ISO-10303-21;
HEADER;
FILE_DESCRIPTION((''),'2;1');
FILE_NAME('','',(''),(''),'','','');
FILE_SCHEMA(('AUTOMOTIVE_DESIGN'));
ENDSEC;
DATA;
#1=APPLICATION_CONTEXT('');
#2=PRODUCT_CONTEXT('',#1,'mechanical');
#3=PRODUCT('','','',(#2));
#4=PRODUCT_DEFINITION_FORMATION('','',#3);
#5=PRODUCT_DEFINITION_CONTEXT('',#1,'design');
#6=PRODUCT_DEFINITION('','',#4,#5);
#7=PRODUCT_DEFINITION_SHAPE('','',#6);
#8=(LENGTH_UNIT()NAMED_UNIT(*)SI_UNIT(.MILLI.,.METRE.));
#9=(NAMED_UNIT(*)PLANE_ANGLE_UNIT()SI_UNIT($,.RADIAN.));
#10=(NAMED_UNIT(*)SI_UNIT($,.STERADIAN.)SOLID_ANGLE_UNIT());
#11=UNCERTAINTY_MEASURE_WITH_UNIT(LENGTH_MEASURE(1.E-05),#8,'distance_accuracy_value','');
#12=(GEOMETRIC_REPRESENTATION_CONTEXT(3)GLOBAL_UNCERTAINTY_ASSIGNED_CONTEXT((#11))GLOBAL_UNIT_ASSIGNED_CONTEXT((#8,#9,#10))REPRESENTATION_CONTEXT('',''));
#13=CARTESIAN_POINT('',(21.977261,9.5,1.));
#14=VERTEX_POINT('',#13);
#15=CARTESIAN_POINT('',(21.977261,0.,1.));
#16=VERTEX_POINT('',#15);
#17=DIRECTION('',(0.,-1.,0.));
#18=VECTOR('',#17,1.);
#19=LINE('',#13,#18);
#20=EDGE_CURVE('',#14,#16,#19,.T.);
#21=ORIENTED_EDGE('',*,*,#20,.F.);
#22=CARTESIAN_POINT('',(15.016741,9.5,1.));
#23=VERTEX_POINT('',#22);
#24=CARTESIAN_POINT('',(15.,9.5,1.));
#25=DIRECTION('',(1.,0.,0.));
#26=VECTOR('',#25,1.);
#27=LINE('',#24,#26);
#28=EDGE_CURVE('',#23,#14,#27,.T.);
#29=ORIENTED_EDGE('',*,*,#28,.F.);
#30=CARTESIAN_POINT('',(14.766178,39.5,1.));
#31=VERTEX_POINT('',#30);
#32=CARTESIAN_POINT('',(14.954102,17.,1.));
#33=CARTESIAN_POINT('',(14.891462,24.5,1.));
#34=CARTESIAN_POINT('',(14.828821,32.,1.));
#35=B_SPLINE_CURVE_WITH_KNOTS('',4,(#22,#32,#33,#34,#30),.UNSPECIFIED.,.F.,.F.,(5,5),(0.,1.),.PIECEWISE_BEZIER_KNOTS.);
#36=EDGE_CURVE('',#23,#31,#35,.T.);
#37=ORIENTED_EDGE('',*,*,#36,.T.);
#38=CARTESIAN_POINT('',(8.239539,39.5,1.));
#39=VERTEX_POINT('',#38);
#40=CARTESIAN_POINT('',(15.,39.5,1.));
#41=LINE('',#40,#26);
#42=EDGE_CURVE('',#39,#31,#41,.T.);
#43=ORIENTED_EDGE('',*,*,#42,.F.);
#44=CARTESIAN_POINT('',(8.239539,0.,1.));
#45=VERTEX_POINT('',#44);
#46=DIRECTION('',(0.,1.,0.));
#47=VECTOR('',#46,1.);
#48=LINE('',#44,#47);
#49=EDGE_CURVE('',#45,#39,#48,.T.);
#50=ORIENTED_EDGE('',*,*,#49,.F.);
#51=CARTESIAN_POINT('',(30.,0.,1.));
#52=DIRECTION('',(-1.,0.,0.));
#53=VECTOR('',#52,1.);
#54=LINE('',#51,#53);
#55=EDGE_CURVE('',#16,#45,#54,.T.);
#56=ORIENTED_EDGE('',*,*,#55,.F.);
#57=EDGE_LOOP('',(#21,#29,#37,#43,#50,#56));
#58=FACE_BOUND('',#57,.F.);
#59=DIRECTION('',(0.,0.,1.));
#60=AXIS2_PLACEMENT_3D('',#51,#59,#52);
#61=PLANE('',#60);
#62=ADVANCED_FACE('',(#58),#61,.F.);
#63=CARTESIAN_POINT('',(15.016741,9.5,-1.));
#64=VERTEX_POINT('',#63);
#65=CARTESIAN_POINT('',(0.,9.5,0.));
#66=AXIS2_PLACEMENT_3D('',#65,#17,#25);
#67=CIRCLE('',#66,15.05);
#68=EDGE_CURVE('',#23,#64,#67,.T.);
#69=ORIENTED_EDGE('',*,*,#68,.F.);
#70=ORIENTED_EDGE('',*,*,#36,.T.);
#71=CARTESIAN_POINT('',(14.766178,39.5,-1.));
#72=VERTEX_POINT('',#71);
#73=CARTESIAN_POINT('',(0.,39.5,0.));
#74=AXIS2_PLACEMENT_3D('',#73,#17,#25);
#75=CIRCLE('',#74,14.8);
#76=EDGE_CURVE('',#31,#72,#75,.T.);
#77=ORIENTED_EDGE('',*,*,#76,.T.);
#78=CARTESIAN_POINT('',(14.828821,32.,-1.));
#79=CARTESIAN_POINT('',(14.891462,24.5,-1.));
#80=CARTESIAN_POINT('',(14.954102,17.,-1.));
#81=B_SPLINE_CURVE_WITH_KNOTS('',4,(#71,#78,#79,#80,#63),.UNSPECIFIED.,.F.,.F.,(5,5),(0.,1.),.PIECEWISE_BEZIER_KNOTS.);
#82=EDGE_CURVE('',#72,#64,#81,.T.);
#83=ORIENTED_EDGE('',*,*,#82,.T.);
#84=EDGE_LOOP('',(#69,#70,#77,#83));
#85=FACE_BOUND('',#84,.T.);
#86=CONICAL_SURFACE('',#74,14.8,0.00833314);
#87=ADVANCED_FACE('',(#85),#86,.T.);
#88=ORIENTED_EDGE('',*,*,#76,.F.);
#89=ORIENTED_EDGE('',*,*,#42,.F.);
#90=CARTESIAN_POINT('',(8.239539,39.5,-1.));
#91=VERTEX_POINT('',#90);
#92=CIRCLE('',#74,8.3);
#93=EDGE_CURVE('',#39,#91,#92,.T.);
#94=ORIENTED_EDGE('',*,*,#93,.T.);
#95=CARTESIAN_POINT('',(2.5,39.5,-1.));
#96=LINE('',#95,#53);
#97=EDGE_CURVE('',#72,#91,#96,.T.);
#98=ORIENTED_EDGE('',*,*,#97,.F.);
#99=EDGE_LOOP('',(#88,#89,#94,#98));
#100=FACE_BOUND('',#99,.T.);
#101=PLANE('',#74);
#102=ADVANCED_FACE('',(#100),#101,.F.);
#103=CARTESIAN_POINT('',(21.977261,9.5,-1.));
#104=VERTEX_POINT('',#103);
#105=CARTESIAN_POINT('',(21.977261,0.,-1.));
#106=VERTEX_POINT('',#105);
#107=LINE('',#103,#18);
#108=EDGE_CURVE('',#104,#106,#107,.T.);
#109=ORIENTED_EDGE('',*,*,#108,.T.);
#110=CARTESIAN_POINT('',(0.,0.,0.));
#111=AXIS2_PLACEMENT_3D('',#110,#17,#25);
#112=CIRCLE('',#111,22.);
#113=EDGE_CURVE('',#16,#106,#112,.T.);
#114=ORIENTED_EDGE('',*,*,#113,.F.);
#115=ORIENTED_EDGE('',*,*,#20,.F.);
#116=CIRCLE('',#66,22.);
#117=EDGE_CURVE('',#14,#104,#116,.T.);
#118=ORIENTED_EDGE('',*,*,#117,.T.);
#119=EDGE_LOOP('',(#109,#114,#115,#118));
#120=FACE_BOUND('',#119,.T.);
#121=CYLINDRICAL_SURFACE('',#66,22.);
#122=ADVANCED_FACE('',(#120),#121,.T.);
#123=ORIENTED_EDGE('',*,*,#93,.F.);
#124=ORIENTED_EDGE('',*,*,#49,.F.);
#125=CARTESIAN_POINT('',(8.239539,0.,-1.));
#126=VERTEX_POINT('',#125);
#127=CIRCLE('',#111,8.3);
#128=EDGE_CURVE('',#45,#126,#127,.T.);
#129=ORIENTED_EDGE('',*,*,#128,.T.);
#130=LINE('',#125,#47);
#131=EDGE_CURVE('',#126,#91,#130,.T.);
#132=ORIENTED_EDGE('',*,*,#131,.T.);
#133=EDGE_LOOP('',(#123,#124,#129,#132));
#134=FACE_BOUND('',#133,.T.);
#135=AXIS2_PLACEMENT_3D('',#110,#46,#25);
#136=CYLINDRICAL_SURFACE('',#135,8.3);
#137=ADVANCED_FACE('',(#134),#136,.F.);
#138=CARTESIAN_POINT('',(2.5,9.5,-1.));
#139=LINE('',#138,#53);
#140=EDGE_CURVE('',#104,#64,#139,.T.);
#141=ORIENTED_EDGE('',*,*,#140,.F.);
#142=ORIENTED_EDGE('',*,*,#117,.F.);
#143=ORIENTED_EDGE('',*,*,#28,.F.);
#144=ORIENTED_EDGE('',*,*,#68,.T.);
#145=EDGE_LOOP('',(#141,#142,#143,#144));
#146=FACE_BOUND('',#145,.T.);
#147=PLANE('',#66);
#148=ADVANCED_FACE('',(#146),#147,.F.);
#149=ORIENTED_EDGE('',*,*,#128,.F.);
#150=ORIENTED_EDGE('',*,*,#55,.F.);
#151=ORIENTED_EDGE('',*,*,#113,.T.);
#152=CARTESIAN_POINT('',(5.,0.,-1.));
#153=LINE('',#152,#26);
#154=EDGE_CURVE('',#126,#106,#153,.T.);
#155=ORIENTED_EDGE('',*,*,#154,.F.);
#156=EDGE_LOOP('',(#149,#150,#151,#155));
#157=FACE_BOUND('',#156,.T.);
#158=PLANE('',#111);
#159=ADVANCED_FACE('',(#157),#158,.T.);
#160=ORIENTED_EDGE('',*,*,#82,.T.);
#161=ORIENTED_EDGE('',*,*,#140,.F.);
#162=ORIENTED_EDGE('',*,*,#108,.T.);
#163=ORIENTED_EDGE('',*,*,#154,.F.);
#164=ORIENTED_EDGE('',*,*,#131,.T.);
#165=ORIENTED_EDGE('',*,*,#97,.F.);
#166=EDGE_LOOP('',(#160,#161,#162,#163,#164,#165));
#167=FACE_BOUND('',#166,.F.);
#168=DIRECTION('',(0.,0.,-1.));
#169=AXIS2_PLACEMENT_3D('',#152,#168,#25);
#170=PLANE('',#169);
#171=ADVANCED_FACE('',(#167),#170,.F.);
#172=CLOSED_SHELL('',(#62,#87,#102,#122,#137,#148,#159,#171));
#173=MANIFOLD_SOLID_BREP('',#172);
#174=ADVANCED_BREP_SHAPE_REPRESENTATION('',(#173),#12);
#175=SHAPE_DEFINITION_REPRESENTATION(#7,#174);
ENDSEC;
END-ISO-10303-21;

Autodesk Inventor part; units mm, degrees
ref_plane "YZ Plane" through (0, 0, 0) normal (1, 0, 0) x (0, 1, 0)
ref_plane "XZ Plane" through (0, 0, 0) normal (0, 1, 0) x (-1, 0, 0)
ref_plane "XY Plane" through (0, 0, 0) normal (0, 0, 1) x (1, 0, 0)
sketch "スケッチ1" plane through (0, 0, 0) normal (0, 0, 1) x (1, 0, 0)
  line L0 (0, 0) -> (8.3, 0) construction
  line L1 (8.3, 0) -> (8.3, 39.5)
  line L2 (8.3, 39.5) -> (0, 39.5) construction
  line L3 (0, 39.5) -> (0, 0) construction
  line L4 (8.3, 39.5) -> (14.8, 39.5)
  line L5 (14.8, 39.5) -> (15.05, 9.5)
  line L6 (15.05, 9.5) -> (22, 9.5)
  line L7 (22, 9.5) -> (22, 0)
  line L8 (22, 0) -> (8.3, 0)
  dimension "d0" = 8.3
  dimension "d1" = 30
  dimension "d2" = 9.5
  dimension "d3" = 0.25
  dimension "d4" = 15.05
  dimension "d5" = 22
  dimension "d12" = 14.8
revolve "回転1" add sketch "スケッチ1" angle 360 about axis through (0, 39.5, 0) along (0, -1, 0)
sketch "スケッチ2" plane through (0, 0, 0) normal (0, -1, 0) x (1, 0, 0)
  line L0 (0, 0) -> (35, 0) construction
  line L1 (5, -1) -> (30, -1)
  line L2 (30, -1) -> (30, 1)
  line L3 (30, 1) -> (5, 1)
  line L4 (5, 1) -> (5, -1)
  line L5 (5, -1) -> (30, 1) construction
  line L6 (30, -1) -> (5, 1) construction
  point P0 (17.5, 0)
  dimension "d7" = 2
  dimension "d8" = 30
  dimension "d9" = 5
extrude "押し出し1" cut sketch "スケッチ2" against normal through all
properties part number "_3D プリント"
